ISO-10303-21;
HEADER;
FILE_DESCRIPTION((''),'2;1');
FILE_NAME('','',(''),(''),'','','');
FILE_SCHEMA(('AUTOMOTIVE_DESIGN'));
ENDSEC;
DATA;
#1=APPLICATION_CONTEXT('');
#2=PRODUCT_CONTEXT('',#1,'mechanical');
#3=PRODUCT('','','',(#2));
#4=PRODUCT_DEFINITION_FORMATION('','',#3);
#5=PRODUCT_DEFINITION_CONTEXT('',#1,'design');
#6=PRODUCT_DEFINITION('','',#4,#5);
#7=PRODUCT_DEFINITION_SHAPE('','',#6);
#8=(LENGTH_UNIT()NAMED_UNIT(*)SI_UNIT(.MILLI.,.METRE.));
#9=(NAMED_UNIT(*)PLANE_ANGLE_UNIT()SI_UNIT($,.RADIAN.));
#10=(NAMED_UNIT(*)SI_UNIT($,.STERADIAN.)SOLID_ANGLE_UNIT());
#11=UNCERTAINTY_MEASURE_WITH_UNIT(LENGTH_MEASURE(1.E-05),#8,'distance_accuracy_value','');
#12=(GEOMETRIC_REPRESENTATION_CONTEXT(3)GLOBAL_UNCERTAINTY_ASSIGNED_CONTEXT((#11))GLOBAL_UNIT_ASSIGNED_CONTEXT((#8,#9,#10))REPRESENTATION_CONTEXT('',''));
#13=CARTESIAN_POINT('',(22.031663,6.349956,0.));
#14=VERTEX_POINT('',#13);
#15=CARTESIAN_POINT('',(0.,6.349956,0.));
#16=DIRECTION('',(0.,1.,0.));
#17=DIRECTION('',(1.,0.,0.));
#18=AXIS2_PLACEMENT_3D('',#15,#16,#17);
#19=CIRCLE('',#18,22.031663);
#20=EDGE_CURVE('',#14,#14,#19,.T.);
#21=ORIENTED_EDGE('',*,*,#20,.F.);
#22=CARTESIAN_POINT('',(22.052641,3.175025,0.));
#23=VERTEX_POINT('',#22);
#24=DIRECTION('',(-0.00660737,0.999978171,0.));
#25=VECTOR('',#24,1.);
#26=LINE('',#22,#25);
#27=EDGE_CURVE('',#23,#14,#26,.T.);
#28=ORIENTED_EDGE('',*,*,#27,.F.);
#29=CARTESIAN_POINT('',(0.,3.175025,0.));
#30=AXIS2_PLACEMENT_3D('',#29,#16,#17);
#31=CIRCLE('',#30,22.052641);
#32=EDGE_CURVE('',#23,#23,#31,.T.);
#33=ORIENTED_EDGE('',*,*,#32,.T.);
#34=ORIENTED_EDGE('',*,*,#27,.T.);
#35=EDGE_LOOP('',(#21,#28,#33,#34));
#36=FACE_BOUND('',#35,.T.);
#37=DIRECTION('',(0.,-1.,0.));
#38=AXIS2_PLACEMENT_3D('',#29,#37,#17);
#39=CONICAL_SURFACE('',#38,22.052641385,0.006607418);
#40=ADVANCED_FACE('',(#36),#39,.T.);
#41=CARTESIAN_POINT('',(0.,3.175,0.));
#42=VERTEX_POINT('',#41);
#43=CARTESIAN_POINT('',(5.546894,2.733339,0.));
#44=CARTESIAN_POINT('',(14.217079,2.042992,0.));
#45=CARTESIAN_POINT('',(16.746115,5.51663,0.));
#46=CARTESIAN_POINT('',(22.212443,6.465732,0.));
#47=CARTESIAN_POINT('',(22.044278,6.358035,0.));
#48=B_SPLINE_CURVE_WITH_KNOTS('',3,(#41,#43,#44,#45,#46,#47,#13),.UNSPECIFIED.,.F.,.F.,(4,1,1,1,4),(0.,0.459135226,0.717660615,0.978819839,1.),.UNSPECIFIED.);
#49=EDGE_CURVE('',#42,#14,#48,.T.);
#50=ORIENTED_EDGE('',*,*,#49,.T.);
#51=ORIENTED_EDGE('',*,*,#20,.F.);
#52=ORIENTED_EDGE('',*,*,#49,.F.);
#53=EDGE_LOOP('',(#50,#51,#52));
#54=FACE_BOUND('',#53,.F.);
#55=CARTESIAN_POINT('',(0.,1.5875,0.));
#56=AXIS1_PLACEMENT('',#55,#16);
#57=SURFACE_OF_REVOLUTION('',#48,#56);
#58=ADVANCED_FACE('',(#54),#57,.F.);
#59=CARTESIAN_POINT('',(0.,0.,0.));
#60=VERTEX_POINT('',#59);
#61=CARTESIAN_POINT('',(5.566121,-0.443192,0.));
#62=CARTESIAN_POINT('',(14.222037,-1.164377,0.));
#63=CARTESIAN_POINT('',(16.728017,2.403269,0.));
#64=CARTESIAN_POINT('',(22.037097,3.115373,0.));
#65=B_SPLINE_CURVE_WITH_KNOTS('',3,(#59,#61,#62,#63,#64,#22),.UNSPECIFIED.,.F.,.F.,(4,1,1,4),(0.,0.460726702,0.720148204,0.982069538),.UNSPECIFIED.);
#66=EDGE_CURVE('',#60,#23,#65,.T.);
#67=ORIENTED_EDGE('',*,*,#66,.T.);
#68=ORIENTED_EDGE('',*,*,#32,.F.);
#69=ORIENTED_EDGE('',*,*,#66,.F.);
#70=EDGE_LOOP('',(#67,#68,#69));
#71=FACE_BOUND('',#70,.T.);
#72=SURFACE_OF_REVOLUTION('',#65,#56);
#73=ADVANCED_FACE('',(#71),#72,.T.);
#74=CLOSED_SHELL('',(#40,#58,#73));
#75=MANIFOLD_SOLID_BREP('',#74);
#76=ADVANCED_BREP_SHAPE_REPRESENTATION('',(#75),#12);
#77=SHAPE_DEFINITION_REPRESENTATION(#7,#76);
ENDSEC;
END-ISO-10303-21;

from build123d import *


with BuildPart() as f1:
    # F0 (on Top) → F1 (revolve)
    with BuildSketch(Plane.XY):
        with BuildLine():
            Line((0, 3.175), (0, 0))
            add(Edge.make_bspline(
                [(0, 0), (5.5661209938, -0.443191773), (14.222036767, -1.1643772613), (16.7280166862, 2.4032691149), (22.037096539, 3.1153731094), (22.0526413847, 3.1750249922)],
                knots=[0, 0, 0, 0, 0.4607267025, 0.7201482044, 0.9820695382, 0.9820695382, 0.9820695382, 0.9820695382], degree=3))
            Line((22.0526413847, 3.1750249922), (22.0316629857, 6.3499556854))
            add(Edge.make_bspline(
                [(0, 3.175), (5.5468940832, 2.7333391331), (14.2170792342, 2.0429921692), (16.7461146548, 5.5166300088), (22.2124433958, 6.4657316105), (22.0442781803, 6.3580347457), (22.0316629857, 6.3499556854)],
                knots=[0, 0, 0, 0, 0.4591352259, 0.7176606148, 0.9788198393, 1, 1, 1, 1], degree=3))
        make_face()
    revolve(axis=Axis((0, 1.5875, 0), (0, 1, 0)))


solid = f1.part
